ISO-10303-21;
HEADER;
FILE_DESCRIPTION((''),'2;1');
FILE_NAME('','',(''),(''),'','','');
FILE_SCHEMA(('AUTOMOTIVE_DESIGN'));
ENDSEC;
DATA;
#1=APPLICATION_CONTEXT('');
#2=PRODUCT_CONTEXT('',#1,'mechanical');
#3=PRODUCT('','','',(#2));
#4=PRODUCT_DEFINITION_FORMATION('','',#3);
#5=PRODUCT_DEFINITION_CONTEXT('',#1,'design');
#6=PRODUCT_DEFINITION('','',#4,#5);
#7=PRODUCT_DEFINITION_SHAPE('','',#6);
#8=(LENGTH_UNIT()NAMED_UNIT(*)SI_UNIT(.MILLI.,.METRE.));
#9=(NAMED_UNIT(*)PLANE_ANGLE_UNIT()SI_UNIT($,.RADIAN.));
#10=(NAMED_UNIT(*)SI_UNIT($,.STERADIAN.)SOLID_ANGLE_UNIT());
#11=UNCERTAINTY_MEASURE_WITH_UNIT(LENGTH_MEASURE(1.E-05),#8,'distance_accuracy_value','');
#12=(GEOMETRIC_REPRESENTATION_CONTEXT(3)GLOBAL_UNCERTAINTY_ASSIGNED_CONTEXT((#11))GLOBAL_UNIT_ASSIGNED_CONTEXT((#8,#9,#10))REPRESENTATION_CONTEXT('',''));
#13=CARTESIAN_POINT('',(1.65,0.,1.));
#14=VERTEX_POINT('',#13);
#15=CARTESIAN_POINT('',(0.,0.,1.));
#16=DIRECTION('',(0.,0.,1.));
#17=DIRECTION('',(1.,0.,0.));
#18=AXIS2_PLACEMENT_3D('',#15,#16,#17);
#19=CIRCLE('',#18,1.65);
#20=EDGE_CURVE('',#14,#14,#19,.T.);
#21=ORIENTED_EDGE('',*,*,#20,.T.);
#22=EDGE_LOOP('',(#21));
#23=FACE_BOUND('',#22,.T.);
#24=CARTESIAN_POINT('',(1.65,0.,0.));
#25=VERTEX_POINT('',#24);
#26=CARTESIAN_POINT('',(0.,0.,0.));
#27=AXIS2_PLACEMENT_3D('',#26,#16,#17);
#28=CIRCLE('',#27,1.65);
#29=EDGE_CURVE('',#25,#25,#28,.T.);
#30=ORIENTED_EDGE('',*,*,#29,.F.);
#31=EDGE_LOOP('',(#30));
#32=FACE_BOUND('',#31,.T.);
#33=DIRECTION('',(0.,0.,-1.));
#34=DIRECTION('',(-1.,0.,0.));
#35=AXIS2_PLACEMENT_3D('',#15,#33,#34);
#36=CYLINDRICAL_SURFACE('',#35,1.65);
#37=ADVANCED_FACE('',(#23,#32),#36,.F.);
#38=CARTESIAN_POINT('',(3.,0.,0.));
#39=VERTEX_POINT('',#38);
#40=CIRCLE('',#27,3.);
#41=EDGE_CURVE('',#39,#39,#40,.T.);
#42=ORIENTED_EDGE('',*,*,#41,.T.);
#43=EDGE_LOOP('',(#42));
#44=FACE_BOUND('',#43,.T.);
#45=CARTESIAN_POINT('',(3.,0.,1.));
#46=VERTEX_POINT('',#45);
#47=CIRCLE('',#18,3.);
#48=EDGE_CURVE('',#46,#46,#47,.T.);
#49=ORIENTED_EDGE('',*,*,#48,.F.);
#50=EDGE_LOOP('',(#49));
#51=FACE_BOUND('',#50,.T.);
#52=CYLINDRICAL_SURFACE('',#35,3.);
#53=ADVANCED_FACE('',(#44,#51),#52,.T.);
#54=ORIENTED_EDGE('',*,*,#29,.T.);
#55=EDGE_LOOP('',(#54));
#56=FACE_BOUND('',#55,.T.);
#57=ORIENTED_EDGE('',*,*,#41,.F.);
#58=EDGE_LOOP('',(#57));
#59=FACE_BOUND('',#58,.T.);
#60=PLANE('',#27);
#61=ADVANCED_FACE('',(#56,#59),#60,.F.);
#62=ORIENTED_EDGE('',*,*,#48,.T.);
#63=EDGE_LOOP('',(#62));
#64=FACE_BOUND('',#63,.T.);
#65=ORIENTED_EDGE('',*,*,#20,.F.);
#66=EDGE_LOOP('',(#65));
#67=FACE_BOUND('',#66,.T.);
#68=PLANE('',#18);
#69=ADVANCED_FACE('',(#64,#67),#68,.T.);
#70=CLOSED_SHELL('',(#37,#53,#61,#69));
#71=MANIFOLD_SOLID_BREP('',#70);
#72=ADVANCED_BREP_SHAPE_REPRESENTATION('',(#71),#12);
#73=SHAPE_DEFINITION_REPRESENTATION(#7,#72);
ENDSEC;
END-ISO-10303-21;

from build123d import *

# Parameters (mm, degrees)
SKETCH_1_R        = 3
SKETCH_1_R_2      = 1.65
EXTRUDE_205_DEPTH = 1


with BuildPart() as part:
    # 草图1 → Extrude 205 (new body)
    with BuildSketch(Plane.XY):
        Circle(SKETCH_1_R)
        Circle(SKETCH_1_R_2, mode=Mode.SUBTRACT)
    extrude(amount=EXTRUDE_205_DEPTH)


solid = part.part
